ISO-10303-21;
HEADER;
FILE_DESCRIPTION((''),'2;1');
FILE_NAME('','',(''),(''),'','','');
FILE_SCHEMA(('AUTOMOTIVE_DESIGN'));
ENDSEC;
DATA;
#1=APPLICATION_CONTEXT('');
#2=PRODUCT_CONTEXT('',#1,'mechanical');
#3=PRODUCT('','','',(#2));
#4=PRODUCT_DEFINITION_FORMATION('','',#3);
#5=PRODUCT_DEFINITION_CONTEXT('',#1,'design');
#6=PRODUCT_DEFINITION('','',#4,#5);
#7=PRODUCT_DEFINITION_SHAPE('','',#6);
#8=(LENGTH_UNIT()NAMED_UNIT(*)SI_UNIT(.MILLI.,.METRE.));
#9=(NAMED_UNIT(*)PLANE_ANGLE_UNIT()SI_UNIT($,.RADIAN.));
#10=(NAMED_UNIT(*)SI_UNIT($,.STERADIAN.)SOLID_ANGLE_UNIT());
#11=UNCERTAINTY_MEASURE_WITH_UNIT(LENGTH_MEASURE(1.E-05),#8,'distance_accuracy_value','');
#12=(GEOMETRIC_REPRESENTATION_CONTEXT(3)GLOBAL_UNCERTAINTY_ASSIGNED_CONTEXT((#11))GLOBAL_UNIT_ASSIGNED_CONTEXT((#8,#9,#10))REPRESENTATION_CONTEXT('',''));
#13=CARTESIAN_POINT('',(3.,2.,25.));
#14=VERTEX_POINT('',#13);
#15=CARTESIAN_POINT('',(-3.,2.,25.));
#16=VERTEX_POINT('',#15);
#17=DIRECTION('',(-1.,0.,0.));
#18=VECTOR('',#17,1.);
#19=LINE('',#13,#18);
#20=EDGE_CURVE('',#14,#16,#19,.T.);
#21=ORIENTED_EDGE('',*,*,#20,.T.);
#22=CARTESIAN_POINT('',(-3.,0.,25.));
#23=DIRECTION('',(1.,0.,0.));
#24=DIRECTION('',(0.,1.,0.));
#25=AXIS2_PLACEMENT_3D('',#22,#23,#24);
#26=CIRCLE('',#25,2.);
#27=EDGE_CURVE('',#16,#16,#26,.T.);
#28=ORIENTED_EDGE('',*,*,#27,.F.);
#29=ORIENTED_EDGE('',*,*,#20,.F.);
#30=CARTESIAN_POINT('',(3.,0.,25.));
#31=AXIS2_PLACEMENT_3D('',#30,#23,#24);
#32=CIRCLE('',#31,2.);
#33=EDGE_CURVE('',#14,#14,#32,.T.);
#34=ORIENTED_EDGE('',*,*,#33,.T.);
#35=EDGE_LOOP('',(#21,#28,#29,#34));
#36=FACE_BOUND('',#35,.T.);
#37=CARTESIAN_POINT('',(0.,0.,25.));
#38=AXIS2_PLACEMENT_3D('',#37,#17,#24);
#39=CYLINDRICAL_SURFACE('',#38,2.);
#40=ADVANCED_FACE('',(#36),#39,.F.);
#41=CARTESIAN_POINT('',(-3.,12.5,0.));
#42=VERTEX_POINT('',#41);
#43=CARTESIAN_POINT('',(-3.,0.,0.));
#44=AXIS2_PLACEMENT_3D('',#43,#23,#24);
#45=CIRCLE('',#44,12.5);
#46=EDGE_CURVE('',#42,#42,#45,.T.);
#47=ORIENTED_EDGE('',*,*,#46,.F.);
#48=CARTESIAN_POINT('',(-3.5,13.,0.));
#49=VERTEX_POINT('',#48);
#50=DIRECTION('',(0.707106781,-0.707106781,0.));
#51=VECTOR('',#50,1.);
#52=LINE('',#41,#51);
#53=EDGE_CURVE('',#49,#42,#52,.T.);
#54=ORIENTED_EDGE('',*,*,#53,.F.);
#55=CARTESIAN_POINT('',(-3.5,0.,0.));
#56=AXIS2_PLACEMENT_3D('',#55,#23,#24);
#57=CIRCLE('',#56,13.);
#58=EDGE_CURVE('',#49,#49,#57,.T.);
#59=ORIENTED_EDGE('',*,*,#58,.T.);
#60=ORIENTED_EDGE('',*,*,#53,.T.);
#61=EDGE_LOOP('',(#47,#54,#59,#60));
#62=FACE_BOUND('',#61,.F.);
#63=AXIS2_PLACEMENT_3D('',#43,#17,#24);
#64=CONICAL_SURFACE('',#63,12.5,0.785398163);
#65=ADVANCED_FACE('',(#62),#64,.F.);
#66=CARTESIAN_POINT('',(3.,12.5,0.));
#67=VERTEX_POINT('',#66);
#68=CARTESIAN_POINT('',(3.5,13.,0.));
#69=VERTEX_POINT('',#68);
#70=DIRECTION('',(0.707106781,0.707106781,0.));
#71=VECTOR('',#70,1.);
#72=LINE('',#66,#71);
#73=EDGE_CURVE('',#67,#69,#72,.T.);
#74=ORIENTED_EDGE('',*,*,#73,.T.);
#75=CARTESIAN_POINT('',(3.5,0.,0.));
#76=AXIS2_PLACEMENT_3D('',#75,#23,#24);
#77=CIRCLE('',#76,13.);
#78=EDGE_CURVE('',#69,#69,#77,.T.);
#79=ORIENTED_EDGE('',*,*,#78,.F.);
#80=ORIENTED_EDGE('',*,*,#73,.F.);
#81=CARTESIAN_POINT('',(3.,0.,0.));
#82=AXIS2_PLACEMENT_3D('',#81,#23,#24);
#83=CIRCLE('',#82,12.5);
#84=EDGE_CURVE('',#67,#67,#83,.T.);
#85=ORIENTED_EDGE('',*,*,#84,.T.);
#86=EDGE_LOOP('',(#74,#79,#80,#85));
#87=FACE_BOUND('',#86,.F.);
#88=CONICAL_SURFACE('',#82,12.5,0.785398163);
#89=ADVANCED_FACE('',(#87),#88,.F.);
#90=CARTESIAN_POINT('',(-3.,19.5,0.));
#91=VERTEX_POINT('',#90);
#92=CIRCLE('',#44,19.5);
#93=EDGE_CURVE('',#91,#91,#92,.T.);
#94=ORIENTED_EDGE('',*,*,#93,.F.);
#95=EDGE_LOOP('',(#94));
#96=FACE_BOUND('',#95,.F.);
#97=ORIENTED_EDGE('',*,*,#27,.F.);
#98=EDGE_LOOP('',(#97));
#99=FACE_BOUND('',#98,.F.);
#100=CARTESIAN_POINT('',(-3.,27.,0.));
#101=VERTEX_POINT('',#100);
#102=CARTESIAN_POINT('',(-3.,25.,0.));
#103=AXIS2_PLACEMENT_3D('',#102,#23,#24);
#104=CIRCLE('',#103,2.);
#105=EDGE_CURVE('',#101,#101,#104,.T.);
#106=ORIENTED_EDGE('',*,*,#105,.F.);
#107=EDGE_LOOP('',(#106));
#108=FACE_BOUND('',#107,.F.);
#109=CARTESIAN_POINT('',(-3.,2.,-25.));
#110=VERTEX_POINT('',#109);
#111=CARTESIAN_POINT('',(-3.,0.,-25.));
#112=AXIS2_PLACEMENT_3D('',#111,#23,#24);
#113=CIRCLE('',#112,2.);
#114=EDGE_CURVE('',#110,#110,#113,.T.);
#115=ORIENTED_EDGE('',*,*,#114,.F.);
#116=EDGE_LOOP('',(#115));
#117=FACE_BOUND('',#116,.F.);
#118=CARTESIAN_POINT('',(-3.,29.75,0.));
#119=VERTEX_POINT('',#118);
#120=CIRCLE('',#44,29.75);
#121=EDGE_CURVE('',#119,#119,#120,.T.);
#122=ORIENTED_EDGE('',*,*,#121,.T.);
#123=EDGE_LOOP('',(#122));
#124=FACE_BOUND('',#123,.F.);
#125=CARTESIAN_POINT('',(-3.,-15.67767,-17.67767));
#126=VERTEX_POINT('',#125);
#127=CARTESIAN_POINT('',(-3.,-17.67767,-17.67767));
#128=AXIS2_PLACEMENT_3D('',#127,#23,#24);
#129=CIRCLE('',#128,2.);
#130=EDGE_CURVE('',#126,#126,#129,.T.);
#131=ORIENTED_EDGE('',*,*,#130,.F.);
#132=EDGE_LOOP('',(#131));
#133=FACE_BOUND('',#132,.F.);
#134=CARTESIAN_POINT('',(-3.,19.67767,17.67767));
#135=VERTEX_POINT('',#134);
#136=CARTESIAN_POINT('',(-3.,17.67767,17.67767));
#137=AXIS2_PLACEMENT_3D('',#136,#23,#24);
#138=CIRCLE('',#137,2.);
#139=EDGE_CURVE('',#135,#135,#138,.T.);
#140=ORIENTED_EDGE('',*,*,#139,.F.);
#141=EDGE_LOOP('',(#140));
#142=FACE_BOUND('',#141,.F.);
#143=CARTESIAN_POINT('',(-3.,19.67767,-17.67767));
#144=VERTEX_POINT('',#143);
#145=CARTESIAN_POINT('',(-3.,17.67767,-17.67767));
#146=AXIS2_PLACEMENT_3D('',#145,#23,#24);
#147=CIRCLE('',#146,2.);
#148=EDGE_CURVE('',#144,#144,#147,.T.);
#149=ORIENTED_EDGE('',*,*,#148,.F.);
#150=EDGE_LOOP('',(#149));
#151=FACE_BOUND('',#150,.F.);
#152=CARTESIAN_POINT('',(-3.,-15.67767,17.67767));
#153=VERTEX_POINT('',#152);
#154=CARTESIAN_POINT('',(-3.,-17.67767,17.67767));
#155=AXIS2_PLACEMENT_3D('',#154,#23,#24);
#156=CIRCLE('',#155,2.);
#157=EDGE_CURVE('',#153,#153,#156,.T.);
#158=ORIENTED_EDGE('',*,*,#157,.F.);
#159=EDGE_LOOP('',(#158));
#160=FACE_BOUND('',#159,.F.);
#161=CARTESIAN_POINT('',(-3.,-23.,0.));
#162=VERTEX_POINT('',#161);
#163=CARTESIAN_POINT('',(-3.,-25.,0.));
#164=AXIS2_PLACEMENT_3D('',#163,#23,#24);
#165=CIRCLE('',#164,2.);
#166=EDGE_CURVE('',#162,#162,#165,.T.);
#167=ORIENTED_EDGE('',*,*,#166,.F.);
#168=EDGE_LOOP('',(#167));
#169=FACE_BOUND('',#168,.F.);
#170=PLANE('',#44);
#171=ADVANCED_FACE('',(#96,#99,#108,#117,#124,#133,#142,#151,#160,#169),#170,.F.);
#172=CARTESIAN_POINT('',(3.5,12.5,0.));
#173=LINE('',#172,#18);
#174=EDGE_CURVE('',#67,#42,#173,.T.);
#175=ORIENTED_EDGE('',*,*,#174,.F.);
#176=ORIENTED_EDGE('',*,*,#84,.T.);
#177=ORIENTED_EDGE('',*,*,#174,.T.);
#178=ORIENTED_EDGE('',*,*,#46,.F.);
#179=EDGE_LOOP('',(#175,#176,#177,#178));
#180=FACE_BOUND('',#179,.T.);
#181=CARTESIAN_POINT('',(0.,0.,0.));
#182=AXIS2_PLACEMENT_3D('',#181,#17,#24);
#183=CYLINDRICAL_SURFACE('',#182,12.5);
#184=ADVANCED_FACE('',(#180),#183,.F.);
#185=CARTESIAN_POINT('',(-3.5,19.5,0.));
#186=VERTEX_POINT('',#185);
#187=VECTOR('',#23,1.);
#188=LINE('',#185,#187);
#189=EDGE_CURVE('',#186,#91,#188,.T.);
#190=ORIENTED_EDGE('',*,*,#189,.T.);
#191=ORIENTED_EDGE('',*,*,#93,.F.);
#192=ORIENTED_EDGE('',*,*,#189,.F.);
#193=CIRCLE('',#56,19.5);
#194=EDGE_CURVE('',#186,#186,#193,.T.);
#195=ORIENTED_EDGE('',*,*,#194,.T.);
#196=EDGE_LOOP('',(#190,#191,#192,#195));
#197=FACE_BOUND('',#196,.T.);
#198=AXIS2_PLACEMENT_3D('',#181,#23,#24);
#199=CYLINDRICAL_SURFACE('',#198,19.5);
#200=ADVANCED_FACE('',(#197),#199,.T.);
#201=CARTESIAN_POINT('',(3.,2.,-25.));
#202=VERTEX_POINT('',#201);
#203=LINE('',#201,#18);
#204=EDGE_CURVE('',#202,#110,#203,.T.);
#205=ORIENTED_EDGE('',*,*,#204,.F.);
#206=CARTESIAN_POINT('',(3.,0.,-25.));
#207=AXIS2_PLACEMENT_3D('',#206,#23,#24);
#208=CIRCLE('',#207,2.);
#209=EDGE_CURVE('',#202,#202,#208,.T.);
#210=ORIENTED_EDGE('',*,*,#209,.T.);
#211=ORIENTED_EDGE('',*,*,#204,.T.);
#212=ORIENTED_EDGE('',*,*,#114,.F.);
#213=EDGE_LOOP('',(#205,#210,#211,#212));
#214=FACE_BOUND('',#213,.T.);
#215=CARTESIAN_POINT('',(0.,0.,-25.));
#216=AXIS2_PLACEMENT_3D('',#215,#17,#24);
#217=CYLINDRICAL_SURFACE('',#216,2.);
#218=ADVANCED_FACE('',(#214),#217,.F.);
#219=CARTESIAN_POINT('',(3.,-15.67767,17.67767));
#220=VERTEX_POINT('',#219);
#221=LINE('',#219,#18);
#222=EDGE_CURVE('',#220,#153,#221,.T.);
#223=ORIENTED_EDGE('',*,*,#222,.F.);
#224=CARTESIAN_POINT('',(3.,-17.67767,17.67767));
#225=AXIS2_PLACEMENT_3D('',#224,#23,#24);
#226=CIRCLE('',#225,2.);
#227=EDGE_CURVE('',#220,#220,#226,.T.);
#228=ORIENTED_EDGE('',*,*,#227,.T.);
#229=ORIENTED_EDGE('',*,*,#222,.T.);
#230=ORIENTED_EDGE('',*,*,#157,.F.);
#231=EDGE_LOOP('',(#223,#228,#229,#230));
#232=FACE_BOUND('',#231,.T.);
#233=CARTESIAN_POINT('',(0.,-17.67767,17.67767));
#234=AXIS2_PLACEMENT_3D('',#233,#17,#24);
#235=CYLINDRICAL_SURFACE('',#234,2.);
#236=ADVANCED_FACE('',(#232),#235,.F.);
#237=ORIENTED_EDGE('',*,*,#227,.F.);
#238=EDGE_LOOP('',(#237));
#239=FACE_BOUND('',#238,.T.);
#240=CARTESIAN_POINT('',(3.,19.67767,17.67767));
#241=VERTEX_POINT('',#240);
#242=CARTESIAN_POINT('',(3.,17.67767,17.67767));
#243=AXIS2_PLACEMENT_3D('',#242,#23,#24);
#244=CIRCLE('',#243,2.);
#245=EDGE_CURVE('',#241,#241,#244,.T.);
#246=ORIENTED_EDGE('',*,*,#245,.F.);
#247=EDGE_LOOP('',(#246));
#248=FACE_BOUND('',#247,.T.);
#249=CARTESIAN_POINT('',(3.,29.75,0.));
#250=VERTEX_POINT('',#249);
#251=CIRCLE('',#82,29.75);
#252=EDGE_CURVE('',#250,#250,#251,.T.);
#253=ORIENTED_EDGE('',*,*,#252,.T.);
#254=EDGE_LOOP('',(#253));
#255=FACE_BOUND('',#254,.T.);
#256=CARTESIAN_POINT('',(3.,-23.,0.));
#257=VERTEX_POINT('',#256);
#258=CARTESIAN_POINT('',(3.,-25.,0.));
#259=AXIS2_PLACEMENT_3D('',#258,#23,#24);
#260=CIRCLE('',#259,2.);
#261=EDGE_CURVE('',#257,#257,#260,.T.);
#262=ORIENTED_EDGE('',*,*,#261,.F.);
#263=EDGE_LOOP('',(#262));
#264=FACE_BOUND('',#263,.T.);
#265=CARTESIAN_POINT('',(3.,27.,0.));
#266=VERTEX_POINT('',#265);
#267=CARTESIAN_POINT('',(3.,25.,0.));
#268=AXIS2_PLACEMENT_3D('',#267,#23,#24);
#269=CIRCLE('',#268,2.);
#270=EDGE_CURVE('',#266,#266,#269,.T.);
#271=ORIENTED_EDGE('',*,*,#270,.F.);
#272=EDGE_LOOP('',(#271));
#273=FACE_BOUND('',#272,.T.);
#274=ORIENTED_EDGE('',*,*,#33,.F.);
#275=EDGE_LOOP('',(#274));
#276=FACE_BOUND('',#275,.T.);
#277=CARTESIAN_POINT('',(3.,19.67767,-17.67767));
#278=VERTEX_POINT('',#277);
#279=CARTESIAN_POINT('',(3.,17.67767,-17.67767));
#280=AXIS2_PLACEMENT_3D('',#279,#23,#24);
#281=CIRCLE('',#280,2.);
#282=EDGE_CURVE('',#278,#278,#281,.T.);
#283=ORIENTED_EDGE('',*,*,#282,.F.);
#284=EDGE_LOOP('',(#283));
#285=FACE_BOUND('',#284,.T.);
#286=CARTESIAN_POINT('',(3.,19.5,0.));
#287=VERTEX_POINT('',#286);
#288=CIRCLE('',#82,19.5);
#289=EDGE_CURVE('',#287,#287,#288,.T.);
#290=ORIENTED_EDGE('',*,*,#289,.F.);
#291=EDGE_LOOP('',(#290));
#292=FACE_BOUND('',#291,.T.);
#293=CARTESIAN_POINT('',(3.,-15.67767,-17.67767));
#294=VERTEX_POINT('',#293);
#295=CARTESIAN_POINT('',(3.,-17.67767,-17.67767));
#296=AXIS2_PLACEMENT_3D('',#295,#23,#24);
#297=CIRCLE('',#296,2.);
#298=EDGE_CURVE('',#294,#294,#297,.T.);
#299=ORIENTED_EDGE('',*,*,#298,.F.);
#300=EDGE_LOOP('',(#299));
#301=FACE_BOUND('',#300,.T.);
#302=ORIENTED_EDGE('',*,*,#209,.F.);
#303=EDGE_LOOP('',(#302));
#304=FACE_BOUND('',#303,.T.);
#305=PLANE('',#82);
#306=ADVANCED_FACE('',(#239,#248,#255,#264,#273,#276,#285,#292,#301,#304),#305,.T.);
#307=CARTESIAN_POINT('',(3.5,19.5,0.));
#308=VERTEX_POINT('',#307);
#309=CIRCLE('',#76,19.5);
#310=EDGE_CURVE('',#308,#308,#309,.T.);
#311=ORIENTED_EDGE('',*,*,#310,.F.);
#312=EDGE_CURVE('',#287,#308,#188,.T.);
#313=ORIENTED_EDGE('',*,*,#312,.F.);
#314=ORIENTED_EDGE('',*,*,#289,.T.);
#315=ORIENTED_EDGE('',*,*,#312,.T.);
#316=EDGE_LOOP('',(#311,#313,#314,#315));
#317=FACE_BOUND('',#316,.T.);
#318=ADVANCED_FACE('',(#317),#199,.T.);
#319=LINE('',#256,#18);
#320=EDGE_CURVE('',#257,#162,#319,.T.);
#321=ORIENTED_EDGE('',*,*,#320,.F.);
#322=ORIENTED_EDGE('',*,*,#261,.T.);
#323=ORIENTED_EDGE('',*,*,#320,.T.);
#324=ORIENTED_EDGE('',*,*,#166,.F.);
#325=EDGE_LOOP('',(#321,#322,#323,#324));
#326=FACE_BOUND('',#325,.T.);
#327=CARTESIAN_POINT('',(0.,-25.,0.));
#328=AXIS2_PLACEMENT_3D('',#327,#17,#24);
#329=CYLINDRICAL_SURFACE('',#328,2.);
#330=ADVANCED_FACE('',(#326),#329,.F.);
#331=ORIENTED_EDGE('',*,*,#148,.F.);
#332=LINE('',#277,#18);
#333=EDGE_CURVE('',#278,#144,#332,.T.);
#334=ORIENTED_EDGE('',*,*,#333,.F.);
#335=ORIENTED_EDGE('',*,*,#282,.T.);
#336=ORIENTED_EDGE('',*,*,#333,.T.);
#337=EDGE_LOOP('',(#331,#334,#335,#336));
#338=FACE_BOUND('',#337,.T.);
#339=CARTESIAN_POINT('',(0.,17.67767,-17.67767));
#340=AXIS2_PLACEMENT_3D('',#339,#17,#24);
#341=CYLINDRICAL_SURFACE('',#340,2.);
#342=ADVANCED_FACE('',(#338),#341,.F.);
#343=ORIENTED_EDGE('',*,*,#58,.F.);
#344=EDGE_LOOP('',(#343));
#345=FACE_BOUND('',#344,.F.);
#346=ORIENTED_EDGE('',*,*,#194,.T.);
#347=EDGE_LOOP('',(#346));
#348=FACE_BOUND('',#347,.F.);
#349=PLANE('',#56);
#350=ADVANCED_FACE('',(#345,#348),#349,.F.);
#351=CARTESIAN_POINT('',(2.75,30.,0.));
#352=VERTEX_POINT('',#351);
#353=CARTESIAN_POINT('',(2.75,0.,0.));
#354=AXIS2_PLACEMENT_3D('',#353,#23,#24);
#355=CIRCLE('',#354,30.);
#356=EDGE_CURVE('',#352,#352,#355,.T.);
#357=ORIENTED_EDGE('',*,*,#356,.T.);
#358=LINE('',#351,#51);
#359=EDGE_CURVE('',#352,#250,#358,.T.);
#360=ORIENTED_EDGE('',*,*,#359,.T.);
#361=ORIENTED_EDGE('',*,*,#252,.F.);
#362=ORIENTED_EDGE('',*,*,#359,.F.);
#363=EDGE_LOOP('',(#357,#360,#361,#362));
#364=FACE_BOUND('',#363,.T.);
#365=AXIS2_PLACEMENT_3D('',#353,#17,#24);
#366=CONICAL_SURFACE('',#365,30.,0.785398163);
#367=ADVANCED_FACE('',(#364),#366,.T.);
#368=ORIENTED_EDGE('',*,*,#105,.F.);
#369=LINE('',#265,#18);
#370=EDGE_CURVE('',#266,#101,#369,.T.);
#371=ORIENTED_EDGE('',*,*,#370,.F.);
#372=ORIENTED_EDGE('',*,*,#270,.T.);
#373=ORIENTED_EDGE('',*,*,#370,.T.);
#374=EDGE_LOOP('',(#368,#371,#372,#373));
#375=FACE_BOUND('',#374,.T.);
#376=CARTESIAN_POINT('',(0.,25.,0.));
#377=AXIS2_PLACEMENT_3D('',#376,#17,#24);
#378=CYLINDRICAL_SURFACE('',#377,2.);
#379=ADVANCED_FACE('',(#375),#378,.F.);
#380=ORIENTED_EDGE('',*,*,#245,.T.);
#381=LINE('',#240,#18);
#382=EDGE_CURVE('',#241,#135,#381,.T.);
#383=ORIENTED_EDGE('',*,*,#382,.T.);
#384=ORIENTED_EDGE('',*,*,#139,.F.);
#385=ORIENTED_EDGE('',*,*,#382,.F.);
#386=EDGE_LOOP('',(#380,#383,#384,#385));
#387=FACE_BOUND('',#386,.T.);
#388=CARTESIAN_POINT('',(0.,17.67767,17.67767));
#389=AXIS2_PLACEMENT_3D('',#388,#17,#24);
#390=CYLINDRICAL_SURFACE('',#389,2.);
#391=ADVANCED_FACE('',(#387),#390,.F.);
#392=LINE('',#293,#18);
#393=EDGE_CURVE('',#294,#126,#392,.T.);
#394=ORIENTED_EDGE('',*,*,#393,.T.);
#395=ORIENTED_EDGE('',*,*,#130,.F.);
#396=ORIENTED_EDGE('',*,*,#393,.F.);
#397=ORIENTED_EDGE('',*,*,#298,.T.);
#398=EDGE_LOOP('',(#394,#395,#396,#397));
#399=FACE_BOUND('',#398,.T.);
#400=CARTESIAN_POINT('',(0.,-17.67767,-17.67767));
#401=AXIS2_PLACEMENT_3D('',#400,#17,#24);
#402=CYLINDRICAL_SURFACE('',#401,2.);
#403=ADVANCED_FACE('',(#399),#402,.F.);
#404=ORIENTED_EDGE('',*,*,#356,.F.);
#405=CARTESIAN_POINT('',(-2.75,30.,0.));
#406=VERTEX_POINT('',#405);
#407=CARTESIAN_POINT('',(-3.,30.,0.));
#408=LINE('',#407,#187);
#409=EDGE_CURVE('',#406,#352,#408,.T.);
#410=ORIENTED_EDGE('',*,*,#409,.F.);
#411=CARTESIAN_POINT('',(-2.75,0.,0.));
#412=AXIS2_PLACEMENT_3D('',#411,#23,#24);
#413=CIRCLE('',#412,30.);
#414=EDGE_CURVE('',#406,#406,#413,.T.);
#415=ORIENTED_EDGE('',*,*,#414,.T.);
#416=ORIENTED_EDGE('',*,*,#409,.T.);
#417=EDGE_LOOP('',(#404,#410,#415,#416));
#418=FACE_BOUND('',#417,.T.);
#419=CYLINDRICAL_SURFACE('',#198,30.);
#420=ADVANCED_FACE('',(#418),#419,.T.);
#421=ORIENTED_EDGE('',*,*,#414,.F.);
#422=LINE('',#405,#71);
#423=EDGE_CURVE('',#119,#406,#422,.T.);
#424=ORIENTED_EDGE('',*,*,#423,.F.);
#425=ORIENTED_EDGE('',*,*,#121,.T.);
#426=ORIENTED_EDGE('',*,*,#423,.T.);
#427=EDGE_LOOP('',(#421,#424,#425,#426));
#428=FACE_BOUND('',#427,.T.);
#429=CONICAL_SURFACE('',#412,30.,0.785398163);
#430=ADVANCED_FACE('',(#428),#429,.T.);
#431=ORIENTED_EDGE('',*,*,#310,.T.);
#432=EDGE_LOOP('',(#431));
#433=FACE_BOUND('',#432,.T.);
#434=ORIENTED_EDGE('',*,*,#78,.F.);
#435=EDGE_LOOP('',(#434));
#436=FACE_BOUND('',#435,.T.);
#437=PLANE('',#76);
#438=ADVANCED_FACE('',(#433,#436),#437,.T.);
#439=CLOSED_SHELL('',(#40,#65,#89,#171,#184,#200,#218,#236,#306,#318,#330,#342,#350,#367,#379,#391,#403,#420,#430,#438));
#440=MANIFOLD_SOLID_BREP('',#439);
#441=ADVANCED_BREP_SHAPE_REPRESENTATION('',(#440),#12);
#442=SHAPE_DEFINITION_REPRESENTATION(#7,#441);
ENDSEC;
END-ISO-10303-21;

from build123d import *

# Parameters (mm, degrees)
F0_R     = 30
F0_R_2   = 2
F0_R_3   = 19.5
F1_DEPTH = 3
F0_R_4   = 12.5
F2_DEPTH = 3.5
F3_SIZE  = 0.5
F4_SIZE  = 0.25


with BuildPart() as f1:
    # F0 (on Right) → F1 (new body, symmetric)
    with BuildSketch(Plane.YZ):
        Circle(F0_R)
        with Locations((-17.67767, -17.67767)):
            Circle(F0_R_2, mode=Mode.SUBTRACT)
        with Locations((0, -25)):
            Circle(F0_R_2, mode=Mode.SUBTRACT)
        with Locations((17.67767, -17.67767)):
            Circle(F0_R_2, mode=Mode.SUBTRACT)
        with Locations((-25, 0)):
            Circle(F0_R_2, mode=Mode.SUBTRACT)
        with Locations((-17.67767, 17.67767)):
            Circle(F0_R_2, mode=Mode.SUBTRACT)
        Circle(F0_R_3, mode=Mode.SUBTRACT)
        with Locations((25, 0)):
            Circle(F0_R_2, mode=Mode.SUBTRACT)
        with Locations((0, 25)):
            Circle(F0_R_2, mode=Mode.SUBTRACT)
        with Locations((17.67767, 17.67767)):
            Circle(F0_R_2, mode=Mode.SUBTRACT)
    extrude(amount=F1_DEPTH, both=True)

    # F0 (on Right) → F2 (join, symmetric)
    with BuildSketch(Plane.YZ):
        Circle(F0_R_3)
        Circle(F0_R_4, mode=Mode.SUBTRACT)
    extrude(amount=F2_DEPTH, both=True)

    # F3
    f3_edges = [f1.edges().sort_by_distance(p)[0] for p in [
        (3.5, -12.5, 0),
        (0, 12.5, 0),
        (-3.5, -12.5, 0),
    ]]
    chamfer(f3_edges, length=F3_SIZE)

    # F4
    f4_edges = [f1.edges().sort_by_distance(p)[0] for p in [
        (-3, -30, 0),
        (0, 30, 0),
        (3, -30, 0),
    ]]
    chamfer(f4_edges, length=F4_SIZE)


solid = f1.part
